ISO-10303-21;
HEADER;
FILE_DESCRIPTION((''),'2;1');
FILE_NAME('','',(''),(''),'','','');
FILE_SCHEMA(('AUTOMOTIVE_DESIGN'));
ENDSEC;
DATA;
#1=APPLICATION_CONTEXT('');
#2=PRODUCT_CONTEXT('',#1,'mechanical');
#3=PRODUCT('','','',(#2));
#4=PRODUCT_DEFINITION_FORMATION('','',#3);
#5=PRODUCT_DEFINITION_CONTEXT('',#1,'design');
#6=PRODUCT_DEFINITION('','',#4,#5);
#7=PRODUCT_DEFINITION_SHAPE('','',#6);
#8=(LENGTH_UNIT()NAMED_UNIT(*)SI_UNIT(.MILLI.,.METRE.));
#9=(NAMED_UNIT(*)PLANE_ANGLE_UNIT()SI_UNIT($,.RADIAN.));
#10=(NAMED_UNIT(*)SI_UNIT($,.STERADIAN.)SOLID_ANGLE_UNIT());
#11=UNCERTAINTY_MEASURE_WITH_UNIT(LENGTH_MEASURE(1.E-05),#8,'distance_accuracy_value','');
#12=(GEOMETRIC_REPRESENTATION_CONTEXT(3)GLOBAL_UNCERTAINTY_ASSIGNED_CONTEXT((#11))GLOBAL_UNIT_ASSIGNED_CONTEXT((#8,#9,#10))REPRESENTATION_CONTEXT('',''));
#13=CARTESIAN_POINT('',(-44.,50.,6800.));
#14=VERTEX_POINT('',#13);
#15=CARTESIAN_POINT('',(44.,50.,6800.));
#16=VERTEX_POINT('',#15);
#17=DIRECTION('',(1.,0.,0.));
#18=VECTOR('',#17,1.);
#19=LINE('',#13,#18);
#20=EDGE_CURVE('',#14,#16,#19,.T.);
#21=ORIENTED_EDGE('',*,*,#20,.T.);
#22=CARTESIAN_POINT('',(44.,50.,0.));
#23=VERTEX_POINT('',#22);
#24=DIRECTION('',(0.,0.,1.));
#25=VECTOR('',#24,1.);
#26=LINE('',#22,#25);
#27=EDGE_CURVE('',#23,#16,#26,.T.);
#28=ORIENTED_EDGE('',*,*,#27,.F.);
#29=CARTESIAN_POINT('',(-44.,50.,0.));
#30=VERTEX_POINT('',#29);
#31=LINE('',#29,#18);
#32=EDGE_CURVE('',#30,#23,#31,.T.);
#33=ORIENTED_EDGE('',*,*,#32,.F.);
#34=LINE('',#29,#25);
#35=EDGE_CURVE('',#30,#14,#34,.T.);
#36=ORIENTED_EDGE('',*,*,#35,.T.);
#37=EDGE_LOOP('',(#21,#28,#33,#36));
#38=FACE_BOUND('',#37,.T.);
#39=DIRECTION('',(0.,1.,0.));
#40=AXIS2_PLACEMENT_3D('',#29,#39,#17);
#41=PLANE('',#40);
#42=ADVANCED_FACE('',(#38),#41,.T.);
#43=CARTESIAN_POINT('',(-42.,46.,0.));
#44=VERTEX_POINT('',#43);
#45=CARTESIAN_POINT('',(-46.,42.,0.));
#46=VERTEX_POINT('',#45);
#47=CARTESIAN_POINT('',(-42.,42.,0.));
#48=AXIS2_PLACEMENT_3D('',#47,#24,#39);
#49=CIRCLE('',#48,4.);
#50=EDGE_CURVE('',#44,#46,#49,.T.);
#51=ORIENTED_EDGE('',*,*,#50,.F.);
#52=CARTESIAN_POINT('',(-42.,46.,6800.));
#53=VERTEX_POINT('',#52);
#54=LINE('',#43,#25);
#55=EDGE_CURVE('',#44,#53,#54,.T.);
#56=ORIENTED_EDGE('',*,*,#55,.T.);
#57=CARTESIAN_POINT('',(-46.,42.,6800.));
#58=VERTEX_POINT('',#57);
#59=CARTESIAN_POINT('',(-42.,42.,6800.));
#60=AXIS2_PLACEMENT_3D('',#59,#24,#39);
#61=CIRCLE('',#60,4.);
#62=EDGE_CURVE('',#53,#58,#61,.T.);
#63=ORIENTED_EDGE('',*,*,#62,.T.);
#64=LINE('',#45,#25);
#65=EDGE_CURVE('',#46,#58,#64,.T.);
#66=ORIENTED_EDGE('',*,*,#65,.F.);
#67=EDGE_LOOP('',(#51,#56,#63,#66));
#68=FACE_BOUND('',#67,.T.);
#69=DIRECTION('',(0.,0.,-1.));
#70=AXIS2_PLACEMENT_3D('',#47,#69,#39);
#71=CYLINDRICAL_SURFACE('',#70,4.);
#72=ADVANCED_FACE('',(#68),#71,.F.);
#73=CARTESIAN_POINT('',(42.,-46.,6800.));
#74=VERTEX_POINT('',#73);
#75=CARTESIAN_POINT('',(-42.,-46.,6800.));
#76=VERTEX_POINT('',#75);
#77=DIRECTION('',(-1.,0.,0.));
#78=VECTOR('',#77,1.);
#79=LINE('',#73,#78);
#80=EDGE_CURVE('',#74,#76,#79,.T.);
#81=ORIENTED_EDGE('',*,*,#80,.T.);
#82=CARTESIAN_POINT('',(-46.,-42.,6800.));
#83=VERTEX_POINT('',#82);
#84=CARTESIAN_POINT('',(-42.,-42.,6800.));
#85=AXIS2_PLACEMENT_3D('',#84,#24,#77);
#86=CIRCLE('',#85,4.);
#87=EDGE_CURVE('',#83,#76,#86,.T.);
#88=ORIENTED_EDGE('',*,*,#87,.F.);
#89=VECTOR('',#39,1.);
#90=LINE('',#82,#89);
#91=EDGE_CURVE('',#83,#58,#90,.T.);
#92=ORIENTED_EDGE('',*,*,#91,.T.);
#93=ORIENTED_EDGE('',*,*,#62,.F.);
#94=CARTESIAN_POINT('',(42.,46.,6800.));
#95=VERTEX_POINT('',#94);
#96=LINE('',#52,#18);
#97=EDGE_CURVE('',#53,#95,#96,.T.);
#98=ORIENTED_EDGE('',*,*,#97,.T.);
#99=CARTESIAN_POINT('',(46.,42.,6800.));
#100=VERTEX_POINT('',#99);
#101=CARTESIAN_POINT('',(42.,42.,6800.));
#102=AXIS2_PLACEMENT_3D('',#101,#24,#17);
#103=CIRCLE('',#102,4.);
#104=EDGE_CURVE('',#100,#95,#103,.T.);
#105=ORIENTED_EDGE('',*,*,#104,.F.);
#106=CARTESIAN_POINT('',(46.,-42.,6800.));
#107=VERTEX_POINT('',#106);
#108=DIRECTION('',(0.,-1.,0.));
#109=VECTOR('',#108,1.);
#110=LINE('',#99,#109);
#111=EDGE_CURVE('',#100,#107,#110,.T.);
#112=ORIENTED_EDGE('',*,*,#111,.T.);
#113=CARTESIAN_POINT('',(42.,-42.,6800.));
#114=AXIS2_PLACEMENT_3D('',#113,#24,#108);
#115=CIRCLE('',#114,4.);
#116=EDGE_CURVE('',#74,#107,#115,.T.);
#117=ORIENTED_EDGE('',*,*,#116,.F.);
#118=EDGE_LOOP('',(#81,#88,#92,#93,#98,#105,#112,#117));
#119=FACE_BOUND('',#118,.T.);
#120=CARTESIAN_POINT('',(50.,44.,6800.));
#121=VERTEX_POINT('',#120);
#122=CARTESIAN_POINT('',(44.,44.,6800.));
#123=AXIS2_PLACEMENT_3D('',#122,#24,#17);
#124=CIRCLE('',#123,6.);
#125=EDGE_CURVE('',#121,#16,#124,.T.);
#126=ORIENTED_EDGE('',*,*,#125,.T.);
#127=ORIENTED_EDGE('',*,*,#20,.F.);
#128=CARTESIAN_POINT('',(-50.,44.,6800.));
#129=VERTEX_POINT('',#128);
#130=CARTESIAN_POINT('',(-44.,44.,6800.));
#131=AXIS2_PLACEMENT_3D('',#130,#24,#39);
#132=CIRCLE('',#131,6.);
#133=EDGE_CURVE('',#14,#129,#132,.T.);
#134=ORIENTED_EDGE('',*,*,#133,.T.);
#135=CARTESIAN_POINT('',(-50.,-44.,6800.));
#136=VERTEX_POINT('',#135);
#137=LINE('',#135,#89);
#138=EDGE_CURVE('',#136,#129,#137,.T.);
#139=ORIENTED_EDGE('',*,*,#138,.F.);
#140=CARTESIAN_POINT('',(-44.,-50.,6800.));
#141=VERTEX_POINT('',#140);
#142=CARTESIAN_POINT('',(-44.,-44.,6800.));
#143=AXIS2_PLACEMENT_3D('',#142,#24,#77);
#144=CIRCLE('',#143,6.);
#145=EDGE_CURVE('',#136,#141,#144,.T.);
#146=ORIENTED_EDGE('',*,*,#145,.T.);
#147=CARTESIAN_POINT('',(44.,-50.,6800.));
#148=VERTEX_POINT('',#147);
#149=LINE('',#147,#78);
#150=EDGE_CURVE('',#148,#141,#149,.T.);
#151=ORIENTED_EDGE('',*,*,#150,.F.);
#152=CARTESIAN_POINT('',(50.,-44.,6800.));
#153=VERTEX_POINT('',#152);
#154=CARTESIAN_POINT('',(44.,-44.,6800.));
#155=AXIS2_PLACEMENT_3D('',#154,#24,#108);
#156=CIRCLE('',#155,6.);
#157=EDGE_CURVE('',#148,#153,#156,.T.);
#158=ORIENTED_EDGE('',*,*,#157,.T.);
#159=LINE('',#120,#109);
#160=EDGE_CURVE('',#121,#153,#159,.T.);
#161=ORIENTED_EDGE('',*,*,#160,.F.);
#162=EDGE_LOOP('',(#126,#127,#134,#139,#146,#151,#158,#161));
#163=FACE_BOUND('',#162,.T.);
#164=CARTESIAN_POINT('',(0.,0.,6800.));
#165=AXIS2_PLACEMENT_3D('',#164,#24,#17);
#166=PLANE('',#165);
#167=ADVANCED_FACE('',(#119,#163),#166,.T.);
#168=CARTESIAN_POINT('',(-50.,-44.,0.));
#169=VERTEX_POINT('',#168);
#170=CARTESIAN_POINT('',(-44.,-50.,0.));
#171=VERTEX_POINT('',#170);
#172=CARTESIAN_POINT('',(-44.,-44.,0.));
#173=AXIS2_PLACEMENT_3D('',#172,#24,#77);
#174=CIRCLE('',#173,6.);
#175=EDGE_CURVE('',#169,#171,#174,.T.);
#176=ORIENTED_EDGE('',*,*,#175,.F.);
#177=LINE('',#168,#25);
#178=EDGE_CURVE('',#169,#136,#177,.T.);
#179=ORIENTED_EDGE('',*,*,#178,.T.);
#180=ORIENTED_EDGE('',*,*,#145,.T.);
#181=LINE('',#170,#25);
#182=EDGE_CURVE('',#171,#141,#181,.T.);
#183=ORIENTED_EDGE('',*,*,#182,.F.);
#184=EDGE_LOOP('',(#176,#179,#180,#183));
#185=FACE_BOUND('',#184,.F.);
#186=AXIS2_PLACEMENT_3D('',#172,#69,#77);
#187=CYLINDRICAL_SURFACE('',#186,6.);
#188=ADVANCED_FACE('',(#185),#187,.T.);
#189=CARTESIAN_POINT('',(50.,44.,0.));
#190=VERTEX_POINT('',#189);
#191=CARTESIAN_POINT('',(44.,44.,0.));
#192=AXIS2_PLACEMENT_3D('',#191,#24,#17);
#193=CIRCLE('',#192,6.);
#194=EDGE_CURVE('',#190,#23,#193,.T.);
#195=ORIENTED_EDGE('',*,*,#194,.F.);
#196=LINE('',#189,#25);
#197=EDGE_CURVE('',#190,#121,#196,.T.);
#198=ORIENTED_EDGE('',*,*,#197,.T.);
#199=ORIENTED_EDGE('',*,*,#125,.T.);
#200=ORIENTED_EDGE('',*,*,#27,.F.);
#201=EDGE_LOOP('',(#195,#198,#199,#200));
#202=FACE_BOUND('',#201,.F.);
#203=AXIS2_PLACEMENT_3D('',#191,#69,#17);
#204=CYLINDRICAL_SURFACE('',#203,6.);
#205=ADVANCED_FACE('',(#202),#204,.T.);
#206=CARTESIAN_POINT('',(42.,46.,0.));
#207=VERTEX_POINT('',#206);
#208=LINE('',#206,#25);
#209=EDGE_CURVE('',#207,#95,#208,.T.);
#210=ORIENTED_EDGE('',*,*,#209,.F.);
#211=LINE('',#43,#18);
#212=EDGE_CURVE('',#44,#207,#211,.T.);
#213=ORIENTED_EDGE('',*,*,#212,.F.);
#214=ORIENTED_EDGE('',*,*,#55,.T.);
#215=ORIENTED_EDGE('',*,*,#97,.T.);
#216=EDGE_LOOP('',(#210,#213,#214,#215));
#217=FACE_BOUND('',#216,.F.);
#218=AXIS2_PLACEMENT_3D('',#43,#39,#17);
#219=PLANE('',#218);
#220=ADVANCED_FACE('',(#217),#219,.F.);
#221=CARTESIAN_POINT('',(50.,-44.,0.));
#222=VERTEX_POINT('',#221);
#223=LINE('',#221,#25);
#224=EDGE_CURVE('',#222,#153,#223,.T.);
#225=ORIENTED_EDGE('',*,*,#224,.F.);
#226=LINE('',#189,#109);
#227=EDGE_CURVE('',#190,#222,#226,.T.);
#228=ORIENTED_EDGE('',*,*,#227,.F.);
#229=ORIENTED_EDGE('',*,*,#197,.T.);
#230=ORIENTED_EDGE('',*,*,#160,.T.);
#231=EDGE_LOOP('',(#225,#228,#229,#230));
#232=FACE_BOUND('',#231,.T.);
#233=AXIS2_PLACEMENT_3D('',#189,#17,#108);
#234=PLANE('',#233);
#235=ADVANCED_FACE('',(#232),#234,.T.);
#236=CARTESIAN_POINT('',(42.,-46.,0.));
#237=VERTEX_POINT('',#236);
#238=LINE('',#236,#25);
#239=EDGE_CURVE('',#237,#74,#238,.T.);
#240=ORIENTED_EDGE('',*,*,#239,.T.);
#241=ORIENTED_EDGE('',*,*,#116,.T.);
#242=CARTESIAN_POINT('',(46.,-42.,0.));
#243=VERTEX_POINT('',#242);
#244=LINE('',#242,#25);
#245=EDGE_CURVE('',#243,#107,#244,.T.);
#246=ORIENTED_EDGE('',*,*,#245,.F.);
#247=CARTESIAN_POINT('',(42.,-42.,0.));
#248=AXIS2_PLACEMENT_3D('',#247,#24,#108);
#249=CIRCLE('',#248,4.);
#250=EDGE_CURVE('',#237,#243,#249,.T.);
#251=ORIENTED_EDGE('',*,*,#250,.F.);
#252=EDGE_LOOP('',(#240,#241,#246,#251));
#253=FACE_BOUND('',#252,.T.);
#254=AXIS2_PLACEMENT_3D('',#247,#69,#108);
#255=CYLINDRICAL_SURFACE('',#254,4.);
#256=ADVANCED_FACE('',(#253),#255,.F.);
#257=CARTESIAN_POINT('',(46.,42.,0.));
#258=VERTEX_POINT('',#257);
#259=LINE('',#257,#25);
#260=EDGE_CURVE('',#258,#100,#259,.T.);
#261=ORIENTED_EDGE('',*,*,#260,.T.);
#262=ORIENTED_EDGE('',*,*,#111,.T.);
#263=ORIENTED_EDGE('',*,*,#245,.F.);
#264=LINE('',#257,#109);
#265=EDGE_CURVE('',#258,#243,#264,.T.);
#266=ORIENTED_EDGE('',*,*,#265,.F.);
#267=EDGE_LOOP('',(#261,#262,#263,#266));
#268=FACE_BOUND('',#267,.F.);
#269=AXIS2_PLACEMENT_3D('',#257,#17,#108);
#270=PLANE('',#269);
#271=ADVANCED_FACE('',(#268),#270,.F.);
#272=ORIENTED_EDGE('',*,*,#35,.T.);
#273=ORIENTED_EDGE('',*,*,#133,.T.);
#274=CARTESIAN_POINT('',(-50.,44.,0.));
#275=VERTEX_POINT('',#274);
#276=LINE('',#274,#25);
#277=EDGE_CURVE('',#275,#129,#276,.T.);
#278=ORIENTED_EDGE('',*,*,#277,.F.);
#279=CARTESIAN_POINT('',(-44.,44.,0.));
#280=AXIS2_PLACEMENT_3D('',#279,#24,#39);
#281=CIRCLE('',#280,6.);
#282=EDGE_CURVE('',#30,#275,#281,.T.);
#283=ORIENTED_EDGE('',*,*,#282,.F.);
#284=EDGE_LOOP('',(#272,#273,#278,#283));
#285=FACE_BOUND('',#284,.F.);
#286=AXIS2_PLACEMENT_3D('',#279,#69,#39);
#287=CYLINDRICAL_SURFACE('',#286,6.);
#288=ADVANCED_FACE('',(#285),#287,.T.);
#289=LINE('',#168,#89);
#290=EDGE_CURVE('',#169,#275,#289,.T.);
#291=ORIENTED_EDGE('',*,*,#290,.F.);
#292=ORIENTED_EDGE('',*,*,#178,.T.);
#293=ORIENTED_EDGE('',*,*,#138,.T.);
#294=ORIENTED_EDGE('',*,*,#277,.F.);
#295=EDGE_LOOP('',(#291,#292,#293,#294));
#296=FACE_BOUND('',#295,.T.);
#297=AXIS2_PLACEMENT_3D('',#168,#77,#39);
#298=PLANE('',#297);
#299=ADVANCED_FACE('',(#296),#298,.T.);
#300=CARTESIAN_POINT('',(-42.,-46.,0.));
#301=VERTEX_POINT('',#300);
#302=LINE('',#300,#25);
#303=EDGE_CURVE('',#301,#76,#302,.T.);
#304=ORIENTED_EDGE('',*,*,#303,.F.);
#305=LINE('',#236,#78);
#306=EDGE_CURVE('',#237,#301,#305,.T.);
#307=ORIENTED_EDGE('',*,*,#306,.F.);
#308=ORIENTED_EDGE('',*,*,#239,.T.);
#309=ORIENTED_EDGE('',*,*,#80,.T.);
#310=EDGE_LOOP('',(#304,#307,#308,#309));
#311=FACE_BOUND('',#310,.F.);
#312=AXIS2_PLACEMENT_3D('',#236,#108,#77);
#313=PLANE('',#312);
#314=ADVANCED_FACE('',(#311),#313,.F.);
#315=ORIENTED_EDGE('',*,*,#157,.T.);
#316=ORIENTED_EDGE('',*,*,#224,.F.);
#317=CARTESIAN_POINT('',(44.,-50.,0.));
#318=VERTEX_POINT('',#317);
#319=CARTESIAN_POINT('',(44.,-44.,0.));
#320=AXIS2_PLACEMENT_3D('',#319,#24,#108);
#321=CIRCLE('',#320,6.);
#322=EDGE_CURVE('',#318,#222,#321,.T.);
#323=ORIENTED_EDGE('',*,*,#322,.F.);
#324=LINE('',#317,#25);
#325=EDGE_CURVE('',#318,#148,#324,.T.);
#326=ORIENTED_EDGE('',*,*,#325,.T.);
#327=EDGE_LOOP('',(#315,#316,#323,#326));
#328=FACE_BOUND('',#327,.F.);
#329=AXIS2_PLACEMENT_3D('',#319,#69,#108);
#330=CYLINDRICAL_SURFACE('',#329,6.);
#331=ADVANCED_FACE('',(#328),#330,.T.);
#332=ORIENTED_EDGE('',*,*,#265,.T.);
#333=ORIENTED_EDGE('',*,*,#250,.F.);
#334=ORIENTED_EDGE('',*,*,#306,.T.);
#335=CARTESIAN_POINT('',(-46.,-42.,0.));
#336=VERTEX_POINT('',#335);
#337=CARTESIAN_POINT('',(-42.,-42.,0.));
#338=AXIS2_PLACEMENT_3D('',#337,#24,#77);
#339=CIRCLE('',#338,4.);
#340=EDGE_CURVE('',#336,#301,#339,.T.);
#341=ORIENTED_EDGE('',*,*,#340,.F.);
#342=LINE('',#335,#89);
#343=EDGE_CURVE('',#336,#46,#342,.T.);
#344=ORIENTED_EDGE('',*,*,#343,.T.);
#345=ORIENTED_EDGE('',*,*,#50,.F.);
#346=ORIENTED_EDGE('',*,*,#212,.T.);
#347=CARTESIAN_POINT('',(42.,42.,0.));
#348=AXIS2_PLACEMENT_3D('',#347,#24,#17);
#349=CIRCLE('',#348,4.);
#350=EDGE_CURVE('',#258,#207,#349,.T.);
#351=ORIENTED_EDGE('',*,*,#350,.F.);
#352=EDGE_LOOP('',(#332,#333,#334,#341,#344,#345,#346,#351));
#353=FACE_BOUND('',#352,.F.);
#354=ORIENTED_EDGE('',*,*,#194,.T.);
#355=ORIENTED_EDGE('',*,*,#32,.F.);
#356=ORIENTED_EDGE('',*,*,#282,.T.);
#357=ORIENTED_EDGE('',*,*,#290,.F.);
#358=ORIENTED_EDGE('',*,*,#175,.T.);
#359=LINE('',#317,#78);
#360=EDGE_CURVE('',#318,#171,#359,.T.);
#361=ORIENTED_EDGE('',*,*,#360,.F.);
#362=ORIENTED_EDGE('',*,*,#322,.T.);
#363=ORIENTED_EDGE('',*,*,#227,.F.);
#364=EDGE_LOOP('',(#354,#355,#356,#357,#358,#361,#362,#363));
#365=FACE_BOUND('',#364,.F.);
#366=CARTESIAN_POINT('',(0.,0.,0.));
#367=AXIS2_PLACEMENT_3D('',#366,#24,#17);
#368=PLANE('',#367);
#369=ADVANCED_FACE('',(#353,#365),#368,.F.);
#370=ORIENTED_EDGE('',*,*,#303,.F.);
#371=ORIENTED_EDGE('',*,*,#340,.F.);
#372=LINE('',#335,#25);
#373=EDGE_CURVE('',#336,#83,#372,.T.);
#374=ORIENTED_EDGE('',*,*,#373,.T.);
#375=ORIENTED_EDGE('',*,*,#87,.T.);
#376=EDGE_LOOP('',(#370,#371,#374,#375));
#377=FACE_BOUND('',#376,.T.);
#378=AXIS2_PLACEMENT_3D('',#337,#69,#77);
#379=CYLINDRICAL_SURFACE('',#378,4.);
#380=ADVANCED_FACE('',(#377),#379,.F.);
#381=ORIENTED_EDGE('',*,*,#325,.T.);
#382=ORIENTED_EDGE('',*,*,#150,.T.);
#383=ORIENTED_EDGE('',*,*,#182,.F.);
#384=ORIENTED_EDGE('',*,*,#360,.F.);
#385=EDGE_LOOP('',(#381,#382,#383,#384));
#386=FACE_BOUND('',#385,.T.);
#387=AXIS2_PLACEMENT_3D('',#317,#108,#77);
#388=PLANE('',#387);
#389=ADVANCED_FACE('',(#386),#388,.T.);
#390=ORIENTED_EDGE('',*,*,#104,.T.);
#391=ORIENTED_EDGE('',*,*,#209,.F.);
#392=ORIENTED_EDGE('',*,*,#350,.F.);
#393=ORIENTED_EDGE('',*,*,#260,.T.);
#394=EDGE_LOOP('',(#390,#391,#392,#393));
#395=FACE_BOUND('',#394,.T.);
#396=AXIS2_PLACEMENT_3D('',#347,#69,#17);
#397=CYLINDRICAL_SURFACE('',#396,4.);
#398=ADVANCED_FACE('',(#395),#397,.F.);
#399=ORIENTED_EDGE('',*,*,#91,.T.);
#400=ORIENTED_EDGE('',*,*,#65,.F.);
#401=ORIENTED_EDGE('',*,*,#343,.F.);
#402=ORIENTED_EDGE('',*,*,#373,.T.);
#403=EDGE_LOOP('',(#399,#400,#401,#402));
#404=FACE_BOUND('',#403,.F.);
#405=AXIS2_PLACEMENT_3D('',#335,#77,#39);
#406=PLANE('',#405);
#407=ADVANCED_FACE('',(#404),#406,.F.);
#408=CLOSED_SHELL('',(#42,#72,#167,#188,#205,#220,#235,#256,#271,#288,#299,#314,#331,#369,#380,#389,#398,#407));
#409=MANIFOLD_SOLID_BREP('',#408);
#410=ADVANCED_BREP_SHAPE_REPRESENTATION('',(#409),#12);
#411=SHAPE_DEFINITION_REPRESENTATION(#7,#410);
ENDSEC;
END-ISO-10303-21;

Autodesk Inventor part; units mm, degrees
ref_plane "YZ Plane" through (0, 0, 0) normal (1, 0, 0) x (0, 1, 0)
ref_plane "Start plane" through (0, 0, 0) normal (0, 0, 1) x (1, 0, 0)
ref_plane "End plane" through (0, 0, 6800) normal (0, 0, 1) x (1, 0, 0)
sketch "Sketch" plane through (0, 0, 0) normal (0, 0, 1) x (1, 0, 0)
  line L0 (-50, -44) -> (-50, 44)
  line L1 (-44, 50) -> (44, 50)
  line L2 (50, 44) -> (50, -44)
  line L3 (44, -50) -> (-44, -50)
  arc A0 (-50, -44) -> (-44, -50) centre (-44, -44) ccw
  arc A1 (-44, 50) -> (-50, 44) centre (-44, 44) ccw
  arc A2 (50, 44) -> (44, 50) centre (44, 44) ccw
  arc A3 (44, -50) -> (50, -44) centre (44, -44) ccw
  line L4 (-42, 46) -> (42, 46)
  line L5 (46, 42) -> (46, -42)
  line L6 (42, -46) -> (-42, -46)
  line L7 (-46, -42) -> (-46, 42)
  line L8 (0, 71.7397) -> (0, -71.7397) construction
  line L9 (-71.7397, 0) -> (71.7397, 0) construction
  arc A4 (-46, -42) -> (-42, -46) centre (-42, -42) ccw
  arc A5 (-42, 46) -> (-46, 42) centre (-42, 42) ccw
  arc A6 (46, 42) -> (42, 46) centre (42, 42) ccw
  arc A7 (42, -46) -> (46, -42) centre (42, -42) ccw
  dimension "d7" = 6
  dimension "d10" = 100
  dimension "d11" = 100
  dimension "d12" = 4
  dimension "d15" = 50
  dimension "d16" = 50
  dimension "d19" = 4
  dimension "d20" = 4
extrude "Body" add sketch "Sketch" along normal up to surface (6800 mm away) from surface at 0
sketch "Sketch3" plane through (0, 0, 0) normal (0, 0, 1) x (1, 0, 0)
  line L0 (0, 0) -> (10, 0)
ref_plane "Work Plane3" through (0, 0, 0) normal (0, -1, 0) x (1, 0, 0)
sketch "Sketch4" plane through (0, 0, 0) normal (0, -1, 0) x (1, 0, 0)
  line L0 (-2, 0) -> (12, 0) projected
  line L1 (-2, 6800) -> (12, 6800) projected
  dimension "d18" = 6800
equation "\"d7\" = G_IR"
equation "\"d10\" = G_H"
equation "\"d11\" = G_W"
equation "\"d12\" = G_T"
equation "\"d15\" = 0.5 * d10"
equation "\"d16\" = 0.5 * d11"
equation "\"d19\" = G_T"
equation "\"d20\" = G_T"
equation "\"d3\" = G_L"
equation "\"G_W\" = 100"
equation "\"G_H\" = 100"
equation "\"G_T\" = 4"
equation "\"G_IR\" = 6"
equation "\"G_L\" = d18"
equation "\"G_OFFSET_START\" = 0"
equation "\"G_OFFSET_END\" = 0"
properties part number "DIN EN 10210-2 - 100 x 100 x 4 - 6800" material "Steel, Mild"
